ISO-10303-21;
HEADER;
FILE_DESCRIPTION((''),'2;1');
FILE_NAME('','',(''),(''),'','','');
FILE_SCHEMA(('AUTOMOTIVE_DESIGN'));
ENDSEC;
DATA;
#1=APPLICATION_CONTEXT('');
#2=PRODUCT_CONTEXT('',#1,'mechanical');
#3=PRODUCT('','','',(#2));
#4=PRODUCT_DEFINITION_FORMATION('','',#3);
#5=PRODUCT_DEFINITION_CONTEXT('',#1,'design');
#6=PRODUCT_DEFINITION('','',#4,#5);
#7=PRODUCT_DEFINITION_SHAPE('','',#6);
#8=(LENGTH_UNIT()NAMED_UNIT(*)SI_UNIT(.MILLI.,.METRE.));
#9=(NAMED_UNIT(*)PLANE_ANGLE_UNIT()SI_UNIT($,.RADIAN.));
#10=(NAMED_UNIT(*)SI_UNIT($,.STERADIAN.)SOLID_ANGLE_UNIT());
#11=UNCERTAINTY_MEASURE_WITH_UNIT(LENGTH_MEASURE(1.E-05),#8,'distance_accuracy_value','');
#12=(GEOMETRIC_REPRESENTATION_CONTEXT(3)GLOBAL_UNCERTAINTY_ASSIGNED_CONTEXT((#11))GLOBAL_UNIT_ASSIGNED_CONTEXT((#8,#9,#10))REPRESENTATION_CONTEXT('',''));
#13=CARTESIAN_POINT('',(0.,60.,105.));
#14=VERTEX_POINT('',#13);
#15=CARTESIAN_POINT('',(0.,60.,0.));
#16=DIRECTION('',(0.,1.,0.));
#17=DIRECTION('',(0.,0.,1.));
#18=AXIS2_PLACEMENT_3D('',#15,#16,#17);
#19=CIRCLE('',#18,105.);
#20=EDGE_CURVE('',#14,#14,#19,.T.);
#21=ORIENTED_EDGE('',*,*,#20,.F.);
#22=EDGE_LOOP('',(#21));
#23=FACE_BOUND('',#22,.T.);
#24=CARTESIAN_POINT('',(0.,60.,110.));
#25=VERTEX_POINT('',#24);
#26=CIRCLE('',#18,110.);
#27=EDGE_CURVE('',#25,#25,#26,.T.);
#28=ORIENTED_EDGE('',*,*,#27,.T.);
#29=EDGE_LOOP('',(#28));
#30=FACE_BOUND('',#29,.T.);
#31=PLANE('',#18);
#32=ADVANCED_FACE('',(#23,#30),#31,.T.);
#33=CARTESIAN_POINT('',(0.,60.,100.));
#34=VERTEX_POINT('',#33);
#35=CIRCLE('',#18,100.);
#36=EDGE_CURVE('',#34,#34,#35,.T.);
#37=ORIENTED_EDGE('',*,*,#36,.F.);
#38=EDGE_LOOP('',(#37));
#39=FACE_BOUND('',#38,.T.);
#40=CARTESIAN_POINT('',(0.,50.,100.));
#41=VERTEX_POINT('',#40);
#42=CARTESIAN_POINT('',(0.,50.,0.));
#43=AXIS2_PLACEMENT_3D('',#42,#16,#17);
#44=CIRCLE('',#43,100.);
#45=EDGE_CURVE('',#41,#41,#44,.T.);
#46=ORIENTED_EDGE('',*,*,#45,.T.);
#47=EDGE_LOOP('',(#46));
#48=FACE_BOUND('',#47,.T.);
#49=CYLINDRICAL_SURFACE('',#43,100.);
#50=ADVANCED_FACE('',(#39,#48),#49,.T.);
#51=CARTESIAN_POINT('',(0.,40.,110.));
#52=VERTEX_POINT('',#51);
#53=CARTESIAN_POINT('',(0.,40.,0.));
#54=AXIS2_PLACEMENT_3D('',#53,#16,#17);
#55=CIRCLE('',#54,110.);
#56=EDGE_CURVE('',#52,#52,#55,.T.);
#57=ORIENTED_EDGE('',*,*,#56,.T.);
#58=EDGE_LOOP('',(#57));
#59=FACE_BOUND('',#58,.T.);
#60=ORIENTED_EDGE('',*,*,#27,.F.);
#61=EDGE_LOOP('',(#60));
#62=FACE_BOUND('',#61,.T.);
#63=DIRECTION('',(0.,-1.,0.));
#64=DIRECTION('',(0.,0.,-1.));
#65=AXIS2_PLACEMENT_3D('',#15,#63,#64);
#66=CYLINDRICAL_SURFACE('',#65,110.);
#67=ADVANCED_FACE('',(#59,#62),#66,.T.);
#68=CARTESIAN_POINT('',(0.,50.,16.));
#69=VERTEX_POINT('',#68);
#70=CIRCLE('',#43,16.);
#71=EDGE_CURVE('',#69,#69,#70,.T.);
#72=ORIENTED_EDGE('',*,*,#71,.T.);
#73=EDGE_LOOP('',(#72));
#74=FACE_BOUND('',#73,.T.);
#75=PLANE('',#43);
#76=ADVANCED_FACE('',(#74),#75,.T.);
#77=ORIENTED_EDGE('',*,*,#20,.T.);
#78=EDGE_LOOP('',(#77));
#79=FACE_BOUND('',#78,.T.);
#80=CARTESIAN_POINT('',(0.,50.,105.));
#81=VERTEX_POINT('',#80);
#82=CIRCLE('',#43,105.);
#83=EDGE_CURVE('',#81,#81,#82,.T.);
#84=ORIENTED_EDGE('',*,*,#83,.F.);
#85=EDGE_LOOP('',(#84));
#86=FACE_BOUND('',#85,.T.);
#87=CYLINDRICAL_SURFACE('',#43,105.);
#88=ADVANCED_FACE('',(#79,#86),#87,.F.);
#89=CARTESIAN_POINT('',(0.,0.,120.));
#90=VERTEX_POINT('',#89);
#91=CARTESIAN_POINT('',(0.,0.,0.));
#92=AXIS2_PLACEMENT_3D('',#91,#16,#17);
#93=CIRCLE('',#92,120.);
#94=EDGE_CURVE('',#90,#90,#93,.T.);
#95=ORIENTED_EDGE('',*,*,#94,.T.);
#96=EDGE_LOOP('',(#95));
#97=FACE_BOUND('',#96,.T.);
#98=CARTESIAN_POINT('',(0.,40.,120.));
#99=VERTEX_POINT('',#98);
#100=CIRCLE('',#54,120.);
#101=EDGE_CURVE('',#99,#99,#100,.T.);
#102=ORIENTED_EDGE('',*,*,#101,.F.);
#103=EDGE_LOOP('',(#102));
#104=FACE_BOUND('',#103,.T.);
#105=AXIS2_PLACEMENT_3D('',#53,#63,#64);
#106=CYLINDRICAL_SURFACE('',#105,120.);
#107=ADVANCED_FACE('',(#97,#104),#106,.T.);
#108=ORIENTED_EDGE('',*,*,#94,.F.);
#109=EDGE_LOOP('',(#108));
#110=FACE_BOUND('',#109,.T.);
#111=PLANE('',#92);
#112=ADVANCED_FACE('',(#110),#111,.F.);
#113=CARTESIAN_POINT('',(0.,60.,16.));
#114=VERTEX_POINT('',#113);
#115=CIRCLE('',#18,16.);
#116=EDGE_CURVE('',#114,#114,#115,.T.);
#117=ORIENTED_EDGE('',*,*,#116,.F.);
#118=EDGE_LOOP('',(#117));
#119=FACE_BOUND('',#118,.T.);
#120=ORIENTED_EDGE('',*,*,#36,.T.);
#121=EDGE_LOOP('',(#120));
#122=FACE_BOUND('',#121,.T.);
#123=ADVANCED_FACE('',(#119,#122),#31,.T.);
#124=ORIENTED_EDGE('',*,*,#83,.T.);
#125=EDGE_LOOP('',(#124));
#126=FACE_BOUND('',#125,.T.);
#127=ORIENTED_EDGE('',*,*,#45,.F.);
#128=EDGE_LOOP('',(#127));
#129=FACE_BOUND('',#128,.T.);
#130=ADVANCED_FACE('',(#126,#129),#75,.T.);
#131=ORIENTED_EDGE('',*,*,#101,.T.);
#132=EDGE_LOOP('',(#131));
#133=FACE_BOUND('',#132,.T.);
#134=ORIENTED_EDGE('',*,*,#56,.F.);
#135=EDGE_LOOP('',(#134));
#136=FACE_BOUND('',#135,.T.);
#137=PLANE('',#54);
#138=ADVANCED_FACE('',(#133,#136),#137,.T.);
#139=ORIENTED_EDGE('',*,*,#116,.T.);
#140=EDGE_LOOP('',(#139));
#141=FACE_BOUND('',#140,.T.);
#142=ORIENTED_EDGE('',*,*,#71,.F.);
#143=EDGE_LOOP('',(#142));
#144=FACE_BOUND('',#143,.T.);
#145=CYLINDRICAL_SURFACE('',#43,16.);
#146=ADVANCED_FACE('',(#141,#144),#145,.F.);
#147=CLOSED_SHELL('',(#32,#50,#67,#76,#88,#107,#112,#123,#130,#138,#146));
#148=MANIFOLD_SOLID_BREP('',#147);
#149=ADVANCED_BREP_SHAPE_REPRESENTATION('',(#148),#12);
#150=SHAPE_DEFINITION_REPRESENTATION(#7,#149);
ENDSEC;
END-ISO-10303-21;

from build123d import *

# Parameters (mm, degrees)
SKETCH1_R           = 120
BOSS_EXTRUDE1_DEPTH = 40
BOSS_EXTRUDE2_START = 40
SKETCH1_3_R         = 110
BOSS_EXTRUDE2_DEPTH = 20
CUT_EXTRUDE1_START  = 60
SKETCH1_5_R         = 105
SKETCH1_5_R_2       = 100
CUT_EXTRUDE1_DEPTH  = 10
SKETCH2_R           = 16
CUT_EXTRUDE2_DEPTH  = 10


with BuildPart() as part:
    # Sketch1 → Boss-Extrude1 (new body)
    with BuildSketch(Plane(origin=(0, 0, 0), x_dir=(1, 0, 0), z_dir=(0, 1, 0))):
        with Locations(Location((0, 0, 0), (0, 0, 270))):
            Circle(SKETCH1_R)
    extrude(amount=BOSS_EXTRUDE1_DEPTH)

    # Sketch1<3> → Boss-Extrude2 (add)
    with BuildSketch(Plane(origin=(0, 0, 0), x_dir=(1, 0, 0), z_dir=(0, 1, 0)).offset(BOSS_EXTRUDE2_START)):
        with Locations(Location((0, 0, 0), (0, 0, 270))):
            Circle(SKETCH1_3_R)
    extrude(amount=BOSS_EXTRUDE2_DEPTH)

    # Sketch1<5> → Cut-Extrude1 (cut)
    with BuildSketch(Plane(origin=(0, 0, 0), x_dir=(1, 0, 0), z_dir=(0, 1, 0)).offset(CUT_EXTRUDE1_START)):
        with Locations(Location((0, 0, 0), (0, 0, 270))):
            Circle(SKETCH1_5_R)
        with Locations(Location((0, 0, 0), (0, 0, 270))):
            Circle(SKETCH1_5_R_2, mode=Mode.SUBTRACT)
    extrude(amount=-CUT_EXTRUDE1_DEPTH, mode=Mode.SUBTRACT)

    # Sketch2 → Cut-Extrude2 (cut)
    with BuildSketch(Plane(origin=(0, 60, 0), x_dir=(1, 0, 0), z_dir=(0, 1, 0))):
        with Locations(Location((0, 0, 0), (0, 0, 270))):
            Circle(SKETCH2_R)
    extrude(amount=-CUT_EXTRUDE2_DEPTH, mode=Mode.SUBTRACT)


solid = part.part
